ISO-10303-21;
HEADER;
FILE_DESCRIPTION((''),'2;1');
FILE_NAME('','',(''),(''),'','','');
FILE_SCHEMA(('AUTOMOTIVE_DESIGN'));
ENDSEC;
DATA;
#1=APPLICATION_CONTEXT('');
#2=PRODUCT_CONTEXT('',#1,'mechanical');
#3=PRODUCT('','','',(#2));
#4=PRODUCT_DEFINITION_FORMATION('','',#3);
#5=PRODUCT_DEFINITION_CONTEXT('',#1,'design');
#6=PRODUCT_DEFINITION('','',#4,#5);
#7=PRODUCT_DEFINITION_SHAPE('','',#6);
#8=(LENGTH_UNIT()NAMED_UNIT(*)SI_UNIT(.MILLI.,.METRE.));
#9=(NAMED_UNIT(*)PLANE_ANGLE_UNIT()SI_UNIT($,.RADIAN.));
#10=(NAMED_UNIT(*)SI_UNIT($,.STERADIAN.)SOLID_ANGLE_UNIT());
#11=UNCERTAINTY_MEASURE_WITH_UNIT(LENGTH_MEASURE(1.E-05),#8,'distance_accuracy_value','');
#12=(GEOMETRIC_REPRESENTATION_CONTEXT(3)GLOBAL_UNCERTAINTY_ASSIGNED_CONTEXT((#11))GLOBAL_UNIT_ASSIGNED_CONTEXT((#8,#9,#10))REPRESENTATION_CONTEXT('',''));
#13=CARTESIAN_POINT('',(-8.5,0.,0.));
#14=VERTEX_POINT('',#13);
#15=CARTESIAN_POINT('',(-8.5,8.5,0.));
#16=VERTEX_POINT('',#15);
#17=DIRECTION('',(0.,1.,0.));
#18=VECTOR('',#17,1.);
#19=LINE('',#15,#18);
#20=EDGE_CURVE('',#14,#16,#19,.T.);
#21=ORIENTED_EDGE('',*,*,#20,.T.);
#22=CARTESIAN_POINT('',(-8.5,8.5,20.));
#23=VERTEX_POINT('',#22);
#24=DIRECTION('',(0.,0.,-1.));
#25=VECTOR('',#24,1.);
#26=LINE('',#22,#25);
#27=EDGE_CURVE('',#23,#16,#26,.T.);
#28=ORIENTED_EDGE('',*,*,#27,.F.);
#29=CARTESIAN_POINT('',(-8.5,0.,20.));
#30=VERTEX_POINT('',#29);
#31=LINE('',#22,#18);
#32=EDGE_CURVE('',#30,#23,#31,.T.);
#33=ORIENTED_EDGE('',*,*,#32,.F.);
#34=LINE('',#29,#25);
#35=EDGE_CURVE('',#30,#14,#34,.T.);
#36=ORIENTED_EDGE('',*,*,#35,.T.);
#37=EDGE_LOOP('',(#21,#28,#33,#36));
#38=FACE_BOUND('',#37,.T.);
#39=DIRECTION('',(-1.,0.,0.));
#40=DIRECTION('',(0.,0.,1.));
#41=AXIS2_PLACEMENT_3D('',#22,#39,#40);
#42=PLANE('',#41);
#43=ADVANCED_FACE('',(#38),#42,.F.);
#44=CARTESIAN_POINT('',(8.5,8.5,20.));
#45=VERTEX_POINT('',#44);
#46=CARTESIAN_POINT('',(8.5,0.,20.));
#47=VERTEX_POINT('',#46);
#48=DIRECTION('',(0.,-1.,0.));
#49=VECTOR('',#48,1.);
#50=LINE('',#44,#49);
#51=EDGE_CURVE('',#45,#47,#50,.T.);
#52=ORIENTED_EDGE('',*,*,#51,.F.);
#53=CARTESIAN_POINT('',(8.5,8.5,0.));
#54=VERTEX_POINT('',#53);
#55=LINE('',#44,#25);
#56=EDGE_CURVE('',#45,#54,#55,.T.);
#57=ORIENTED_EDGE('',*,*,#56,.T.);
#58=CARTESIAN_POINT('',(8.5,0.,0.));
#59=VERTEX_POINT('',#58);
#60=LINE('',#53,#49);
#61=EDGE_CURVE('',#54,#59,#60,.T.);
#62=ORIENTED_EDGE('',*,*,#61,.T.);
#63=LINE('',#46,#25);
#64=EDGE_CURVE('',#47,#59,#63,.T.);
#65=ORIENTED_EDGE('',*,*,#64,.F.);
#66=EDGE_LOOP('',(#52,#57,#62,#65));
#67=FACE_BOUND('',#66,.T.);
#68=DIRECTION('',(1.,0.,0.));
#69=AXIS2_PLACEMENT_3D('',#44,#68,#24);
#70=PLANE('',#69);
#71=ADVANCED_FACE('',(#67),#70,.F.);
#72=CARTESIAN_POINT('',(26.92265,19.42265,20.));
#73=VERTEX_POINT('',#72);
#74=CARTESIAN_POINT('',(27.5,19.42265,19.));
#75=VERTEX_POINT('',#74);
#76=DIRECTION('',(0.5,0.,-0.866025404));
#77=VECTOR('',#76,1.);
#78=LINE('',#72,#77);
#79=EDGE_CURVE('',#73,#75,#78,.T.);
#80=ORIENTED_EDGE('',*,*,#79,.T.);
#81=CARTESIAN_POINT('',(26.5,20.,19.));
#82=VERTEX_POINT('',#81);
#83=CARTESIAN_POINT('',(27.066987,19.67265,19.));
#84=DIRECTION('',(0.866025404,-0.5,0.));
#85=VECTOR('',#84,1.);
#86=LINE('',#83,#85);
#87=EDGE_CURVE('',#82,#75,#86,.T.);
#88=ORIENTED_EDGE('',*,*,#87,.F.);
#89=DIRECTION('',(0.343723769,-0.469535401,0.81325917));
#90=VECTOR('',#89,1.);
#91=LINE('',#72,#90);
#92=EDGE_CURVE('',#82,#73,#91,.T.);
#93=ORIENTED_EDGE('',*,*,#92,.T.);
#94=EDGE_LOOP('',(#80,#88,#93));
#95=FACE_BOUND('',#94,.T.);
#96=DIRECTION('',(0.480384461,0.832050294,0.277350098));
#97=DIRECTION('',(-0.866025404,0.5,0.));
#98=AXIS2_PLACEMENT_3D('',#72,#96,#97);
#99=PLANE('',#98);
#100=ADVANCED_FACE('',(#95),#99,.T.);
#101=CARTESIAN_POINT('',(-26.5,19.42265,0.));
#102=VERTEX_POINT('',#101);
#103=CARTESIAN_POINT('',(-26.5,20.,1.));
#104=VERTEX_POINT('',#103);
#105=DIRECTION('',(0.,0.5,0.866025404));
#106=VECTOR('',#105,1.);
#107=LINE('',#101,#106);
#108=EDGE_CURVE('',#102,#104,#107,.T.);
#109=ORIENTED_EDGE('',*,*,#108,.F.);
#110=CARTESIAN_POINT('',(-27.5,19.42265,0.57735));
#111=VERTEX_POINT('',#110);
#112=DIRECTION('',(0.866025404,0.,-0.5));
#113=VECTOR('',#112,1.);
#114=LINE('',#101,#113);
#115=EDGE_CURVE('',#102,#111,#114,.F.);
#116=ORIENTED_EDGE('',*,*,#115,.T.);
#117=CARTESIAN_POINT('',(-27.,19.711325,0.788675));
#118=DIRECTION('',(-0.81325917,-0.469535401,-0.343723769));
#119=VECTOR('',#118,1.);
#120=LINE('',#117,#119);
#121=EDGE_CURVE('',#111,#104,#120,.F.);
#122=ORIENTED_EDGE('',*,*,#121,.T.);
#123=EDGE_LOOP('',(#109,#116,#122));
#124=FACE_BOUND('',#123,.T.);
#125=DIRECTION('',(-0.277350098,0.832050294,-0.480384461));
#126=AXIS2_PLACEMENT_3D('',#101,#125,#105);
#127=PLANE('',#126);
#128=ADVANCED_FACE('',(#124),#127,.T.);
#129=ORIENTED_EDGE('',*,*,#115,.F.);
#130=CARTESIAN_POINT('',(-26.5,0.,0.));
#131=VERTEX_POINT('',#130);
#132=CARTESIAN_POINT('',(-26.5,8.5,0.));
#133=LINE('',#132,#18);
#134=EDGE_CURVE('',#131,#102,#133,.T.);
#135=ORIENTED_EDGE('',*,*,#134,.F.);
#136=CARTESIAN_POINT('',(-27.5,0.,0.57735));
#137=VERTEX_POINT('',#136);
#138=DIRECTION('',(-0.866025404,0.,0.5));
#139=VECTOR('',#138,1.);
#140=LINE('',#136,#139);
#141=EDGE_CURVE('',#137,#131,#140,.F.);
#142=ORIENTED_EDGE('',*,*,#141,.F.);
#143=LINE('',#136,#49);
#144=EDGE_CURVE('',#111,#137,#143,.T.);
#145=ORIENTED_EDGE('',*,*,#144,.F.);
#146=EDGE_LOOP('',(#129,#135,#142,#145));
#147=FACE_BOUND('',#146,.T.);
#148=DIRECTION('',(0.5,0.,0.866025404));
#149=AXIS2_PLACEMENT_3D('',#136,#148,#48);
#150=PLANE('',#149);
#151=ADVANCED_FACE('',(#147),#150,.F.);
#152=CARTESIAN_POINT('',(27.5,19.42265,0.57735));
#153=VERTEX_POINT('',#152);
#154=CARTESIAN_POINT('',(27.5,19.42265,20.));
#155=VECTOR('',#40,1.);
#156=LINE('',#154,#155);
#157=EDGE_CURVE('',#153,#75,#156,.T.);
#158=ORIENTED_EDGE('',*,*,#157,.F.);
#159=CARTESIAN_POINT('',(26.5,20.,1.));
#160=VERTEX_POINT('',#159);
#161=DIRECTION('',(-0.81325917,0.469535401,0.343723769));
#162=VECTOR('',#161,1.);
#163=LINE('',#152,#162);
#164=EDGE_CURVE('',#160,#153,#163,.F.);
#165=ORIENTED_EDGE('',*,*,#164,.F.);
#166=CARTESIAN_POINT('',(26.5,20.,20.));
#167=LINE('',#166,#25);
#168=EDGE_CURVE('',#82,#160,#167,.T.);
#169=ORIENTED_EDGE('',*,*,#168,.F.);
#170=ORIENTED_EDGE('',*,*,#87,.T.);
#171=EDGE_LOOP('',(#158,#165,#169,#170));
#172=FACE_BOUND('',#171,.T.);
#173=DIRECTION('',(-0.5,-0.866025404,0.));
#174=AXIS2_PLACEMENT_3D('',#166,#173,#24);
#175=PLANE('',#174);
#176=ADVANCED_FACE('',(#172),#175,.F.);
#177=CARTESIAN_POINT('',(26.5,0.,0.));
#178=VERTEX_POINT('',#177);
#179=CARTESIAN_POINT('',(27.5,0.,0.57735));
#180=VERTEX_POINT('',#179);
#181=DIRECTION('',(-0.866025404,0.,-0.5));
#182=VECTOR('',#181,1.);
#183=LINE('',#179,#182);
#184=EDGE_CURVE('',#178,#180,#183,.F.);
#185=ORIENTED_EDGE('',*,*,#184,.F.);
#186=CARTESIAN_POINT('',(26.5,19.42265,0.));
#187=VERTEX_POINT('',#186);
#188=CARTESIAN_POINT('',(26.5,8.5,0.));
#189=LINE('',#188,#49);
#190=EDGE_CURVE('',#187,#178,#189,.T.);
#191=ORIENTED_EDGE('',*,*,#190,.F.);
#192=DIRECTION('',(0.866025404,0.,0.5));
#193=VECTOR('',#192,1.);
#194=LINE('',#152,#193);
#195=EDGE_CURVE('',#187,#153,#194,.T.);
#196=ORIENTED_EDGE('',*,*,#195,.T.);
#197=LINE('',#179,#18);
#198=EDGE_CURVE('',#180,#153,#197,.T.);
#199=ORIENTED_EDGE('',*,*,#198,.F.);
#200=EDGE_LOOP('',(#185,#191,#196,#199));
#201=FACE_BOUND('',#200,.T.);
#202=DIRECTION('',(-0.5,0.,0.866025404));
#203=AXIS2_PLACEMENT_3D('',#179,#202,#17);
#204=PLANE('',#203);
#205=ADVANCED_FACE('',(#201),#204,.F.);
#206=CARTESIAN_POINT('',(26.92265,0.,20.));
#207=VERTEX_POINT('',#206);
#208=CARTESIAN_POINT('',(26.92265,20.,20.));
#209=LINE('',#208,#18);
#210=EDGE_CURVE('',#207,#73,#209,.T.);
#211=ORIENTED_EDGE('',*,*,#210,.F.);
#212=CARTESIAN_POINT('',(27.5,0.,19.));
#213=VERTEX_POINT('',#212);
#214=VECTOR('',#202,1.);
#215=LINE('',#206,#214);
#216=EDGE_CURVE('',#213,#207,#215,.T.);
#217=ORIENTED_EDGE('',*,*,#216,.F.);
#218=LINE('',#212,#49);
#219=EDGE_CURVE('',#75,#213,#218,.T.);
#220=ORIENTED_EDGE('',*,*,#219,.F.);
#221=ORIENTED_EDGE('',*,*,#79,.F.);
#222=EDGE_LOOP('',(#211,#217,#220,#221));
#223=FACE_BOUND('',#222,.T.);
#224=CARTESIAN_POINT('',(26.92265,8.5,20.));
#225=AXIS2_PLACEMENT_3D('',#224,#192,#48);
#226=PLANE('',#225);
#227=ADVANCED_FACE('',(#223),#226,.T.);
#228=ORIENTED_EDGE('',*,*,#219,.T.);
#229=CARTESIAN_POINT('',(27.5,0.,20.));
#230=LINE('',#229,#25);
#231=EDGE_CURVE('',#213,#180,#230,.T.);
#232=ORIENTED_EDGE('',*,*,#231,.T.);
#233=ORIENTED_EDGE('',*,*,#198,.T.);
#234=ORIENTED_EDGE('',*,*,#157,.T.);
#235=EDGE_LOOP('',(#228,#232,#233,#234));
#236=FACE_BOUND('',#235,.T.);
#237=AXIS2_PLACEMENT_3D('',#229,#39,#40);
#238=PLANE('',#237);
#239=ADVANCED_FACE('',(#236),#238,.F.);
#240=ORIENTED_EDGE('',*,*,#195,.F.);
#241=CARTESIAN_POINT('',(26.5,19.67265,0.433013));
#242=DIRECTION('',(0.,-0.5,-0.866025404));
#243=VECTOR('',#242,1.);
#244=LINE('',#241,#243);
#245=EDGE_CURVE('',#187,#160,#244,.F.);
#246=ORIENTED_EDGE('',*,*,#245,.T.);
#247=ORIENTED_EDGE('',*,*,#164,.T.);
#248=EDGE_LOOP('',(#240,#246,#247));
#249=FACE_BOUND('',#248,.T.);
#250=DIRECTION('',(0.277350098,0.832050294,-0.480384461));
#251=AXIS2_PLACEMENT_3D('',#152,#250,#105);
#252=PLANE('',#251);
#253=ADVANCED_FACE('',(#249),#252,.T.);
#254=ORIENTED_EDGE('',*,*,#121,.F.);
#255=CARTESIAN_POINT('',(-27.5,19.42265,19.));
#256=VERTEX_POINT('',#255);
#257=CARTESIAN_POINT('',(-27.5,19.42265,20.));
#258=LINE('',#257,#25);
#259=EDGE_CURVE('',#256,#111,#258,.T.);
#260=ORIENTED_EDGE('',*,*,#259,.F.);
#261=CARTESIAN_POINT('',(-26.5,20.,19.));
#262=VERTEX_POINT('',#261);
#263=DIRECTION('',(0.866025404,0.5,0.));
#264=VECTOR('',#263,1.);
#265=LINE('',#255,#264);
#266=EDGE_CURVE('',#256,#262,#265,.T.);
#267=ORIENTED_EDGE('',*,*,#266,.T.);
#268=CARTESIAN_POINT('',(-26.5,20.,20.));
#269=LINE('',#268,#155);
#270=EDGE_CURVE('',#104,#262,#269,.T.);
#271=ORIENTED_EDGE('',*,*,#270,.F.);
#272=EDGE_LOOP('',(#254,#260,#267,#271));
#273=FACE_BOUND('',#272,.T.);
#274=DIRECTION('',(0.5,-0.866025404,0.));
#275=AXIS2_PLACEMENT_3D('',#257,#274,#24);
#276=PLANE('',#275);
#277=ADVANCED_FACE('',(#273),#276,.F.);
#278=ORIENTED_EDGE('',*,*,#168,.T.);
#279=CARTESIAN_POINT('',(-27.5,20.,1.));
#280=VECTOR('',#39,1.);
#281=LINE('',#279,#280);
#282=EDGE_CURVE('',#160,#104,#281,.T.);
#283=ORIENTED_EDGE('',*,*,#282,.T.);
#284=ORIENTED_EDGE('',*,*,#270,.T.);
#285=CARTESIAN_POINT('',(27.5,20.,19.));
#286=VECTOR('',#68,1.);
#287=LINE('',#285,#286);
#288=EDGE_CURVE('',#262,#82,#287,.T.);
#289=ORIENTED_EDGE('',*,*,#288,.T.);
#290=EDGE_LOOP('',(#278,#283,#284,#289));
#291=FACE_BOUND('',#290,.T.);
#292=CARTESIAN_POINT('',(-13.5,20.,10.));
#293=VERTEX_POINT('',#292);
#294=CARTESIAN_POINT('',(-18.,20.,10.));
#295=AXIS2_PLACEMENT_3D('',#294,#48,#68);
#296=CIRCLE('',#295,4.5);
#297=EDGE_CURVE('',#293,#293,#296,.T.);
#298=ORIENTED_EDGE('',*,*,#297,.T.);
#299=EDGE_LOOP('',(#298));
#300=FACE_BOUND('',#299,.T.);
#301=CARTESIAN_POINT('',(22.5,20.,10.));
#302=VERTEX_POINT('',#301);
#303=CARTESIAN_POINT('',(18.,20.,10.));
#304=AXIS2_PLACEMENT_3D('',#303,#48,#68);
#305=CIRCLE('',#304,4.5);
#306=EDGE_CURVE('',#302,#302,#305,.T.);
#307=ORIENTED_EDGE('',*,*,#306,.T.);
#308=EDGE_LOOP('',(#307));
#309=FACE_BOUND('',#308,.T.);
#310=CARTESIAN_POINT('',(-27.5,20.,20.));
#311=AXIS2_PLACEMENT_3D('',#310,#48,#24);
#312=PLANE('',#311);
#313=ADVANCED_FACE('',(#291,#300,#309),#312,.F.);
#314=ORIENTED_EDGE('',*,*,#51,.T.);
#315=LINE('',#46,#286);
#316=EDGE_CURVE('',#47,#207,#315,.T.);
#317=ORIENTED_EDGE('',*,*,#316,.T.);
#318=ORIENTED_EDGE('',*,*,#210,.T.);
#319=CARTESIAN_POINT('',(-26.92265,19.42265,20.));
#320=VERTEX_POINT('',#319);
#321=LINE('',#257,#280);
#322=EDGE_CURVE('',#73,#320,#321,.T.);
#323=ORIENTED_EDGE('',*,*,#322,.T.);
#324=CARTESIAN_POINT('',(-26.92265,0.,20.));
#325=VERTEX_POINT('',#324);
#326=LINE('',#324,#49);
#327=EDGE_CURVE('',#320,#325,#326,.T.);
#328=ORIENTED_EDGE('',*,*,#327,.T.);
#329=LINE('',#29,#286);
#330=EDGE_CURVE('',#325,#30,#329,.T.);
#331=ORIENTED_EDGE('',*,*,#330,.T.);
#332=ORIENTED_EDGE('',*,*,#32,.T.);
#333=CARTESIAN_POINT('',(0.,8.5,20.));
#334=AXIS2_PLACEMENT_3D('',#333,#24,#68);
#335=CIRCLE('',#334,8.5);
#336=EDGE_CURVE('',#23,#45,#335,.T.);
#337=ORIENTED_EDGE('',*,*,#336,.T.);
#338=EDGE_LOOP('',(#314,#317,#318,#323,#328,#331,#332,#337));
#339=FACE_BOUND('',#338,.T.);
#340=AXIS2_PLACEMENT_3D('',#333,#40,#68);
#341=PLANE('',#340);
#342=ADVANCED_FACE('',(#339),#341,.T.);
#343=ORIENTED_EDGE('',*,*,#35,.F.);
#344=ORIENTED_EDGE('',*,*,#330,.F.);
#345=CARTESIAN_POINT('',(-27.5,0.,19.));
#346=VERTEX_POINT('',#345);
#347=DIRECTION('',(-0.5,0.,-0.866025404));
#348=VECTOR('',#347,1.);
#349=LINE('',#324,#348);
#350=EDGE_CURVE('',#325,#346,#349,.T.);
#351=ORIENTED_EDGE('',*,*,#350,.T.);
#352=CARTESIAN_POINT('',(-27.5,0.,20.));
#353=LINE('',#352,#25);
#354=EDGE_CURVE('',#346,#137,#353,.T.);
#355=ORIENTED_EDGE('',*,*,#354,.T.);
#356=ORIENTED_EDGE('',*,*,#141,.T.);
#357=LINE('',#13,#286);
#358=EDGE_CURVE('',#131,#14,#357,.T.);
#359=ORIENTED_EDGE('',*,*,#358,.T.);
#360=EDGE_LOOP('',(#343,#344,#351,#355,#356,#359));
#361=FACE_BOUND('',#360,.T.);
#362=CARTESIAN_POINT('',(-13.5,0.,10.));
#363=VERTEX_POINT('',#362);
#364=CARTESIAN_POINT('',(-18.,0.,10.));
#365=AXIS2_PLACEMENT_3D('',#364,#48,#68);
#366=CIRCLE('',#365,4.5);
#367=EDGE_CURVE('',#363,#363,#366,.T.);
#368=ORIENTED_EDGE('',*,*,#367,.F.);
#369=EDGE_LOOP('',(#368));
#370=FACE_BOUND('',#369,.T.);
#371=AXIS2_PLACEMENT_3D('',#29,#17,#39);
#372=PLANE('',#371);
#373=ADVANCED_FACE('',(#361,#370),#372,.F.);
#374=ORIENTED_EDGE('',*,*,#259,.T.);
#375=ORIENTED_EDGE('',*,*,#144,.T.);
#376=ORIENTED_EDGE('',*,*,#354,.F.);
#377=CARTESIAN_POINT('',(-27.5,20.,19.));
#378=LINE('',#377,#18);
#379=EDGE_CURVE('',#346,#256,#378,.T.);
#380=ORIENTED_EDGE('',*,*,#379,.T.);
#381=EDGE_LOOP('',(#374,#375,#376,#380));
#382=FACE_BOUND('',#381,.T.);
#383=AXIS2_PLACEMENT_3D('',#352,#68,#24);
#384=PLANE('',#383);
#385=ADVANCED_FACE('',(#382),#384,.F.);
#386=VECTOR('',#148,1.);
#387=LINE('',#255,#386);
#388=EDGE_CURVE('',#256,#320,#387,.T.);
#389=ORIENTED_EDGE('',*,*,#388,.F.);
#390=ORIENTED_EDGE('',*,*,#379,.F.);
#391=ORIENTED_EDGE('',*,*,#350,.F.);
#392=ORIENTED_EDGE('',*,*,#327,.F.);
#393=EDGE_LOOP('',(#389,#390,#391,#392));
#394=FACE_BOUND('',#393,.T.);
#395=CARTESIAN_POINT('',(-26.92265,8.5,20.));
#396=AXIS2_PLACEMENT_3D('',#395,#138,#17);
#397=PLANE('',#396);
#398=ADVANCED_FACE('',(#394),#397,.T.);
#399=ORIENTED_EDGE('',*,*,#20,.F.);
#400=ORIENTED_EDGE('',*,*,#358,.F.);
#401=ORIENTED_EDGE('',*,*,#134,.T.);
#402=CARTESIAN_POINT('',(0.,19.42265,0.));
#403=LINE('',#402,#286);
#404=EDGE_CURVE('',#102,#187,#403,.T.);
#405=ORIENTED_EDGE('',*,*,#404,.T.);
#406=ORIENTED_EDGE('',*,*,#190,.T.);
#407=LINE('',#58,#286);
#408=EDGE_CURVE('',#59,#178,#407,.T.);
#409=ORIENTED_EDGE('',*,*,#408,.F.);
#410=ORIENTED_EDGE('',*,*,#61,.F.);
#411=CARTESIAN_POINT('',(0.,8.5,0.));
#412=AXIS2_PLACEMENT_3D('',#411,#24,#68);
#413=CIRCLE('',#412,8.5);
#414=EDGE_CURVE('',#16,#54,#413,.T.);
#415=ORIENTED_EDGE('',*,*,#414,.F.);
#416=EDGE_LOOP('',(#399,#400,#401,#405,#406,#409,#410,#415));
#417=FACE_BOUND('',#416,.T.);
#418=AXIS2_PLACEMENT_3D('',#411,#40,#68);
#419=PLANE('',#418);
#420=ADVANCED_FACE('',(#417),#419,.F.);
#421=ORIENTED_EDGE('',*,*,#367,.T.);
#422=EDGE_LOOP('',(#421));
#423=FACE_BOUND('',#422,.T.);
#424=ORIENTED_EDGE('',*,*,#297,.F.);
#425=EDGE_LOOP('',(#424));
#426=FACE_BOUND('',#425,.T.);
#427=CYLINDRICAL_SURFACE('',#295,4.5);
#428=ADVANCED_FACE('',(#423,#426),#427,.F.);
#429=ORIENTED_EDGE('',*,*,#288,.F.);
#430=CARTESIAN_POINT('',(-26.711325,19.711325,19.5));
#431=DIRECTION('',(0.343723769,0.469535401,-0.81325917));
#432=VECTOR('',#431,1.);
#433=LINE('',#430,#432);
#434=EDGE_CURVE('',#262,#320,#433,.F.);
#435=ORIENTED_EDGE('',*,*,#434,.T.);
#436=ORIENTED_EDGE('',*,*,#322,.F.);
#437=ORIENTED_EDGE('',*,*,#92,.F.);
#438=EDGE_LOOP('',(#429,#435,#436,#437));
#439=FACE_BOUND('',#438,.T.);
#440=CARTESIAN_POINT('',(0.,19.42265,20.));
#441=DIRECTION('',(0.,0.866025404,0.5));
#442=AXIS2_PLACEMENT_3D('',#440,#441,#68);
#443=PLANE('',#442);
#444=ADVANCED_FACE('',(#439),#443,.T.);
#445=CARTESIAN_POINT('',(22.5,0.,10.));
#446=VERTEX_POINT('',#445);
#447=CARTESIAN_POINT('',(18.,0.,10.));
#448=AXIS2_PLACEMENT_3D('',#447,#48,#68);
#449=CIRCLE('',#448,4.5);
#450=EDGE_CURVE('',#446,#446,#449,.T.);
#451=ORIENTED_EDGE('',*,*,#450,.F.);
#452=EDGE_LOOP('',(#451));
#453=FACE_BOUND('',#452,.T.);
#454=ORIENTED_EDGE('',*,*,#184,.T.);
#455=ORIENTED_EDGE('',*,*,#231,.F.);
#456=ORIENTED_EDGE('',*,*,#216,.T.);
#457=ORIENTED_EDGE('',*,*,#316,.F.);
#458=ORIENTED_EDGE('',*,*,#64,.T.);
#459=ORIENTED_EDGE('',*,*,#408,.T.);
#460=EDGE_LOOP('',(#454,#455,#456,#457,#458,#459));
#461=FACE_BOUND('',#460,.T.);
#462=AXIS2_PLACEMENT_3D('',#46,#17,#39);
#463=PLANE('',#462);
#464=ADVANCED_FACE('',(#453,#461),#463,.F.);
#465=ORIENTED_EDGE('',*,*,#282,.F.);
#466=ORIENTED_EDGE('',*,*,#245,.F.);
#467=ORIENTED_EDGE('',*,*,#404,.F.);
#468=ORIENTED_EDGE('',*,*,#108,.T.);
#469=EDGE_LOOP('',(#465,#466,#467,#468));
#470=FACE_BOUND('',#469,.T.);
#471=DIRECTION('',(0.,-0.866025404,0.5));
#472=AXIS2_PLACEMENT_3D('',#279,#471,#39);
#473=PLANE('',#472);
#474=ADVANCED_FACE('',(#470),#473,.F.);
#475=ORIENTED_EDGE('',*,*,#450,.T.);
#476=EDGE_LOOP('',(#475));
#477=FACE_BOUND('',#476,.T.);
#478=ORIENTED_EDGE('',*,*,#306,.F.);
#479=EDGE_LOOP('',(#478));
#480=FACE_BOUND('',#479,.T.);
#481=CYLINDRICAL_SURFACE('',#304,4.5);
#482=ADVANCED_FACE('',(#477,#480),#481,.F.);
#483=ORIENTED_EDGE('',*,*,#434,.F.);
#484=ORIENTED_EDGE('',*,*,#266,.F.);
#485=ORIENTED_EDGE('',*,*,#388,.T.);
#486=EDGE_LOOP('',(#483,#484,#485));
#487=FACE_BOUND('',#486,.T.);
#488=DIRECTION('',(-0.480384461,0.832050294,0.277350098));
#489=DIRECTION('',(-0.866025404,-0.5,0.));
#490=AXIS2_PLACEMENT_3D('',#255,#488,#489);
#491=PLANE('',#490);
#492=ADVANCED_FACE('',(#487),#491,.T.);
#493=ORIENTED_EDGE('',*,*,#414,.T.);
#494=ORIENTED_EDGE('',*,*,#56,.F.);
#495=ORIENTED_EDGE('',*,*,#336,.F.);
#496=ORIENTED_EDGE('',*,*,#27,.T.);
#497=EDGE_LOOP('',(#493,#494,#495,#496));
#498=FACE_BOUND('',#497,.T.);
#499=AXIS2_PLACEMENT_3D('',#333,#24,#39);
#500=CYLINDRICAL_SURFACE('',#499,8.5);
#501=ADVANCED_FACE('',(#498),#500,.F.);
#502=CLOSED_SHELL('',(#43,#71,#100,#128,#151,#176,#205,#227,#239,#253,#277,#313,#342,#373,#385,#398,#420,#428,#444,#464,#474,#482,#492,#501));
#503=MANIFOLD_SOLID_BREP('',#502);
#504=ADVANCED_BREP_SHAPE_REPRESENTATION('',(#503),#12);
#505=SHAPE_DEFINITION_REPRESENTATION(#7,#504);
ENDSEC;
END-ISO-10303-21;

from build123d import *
from OCP.BRepFilletAPI import BRepFilletAPI_MakeChamfer

# Parameters (mm, degrees)
ESTRUSIONE_ESTRUSIONE1_DEPTH = 20
SCHIZZO2_R                   = 4.5
TAGLIO_ESTRUSIONE1_DEPTH     = 40.449334595
SMUSSO1_SIZE                 = 1
SMUSSO1_SIZE2                = 0.577350269


with BuildPart() as part:
    # Schizzo1 → Estrusione-Estrusione1 (new body)
    with BuildSketch(Plane.XY):
        with BuildLine():
            Line((-8.5, 8.5), (-8.5, 0))
            Line((-8.5, 0), (-27.5, 0))
            Line((-27.5, 0), (-27.5, 20))
            Line((-27.5, 20), (27.5, 20))
            Line((27.5, 20), (27.5, 0))
            Line((27.5, 0), (8.5, 0))
            Line((8.5, 0), (8.5, 8.5))
            ThreePointArc((8.5, 8.5), (0, 17), (-8.5, 8.5))
        make_face()
    extrude(amount=ESTRUSIONE_ESTRUSIONE1_DEPTH)

    # Schizzo2 → Taglio-Estrusione1 (cut, through all)
    with BuildSketch(Plane.XZ):
        with Locations((-18, 10)):
            Circle(SCHIZZO2_R)
        with Locations((18, 10)):
            Circle(SCHIZZO2_R)
    extrude(amount=-TAGLIO_ESTRUSIONE1_DEPTH, mode=Mode.SUBTRACT)

    # Smusso1: one chamfer whose edges measure the first distance from different faces: ONE call of the kernel's chamfer builder (chamfer() names one face for all edges)
    smusso1_edges_1 = [part.edges().sort_by_distance(p)[0] for p in [
        (-27.5, 10, 20),
    ]]
    smusso1_side_1 = [part.faces().sort_by_distance(p)[0] for p in [
        (-27.5, 10, 10),
    ]]
    smusso1_edges_2 = [part.edges().sort_by_distance(p)[0] for p in [
        (0, 20, 0),
        (-27.5, 20, 10),
        (27.5, 20, 10),
        (0, 20, 20),
    ]]
    smusso1_side_2 = [part.faces().sort_by_distance(p)[0] for p in [
        (0, 20, 10),
    ]]
    smusso1_edges_3 = [part.edges().sort_by_distance(p)[0] for p in [
        (27.5, 10, 0),
        (-27.5, 10, 0),
    ]]
    smusso1_side_3 = [part.faces().sort_by_distance(p)[0] for p in [
        (-9.085234996, 4.25, 0),
    ]]
    smusso1_edges_4 = [part.edges().sort_by_distance(p)[0] for p in [
        (27.5, 10, 20),
    ]]
    smusso1_side_4 = [part.faces().sort_by_distance(p)[0] for p in [
        (27.5, 10, 10),
    ]]
    smusso1 = BRepFilletAPI_MakeChamfer(part.part.solid().wrapped)
    for e in smusso1_edges_1:
        smusso1.Add(SMUSSO1_SIZE, SMUSSO1_SIZE2, e.wrapped, smusso1_side_1[0].wrapped)  # the first distance lies on this face
    for e in smusso1_edges_2:
        smusso1.Add(SMUSSO1_SIZE, SMUSSO1_SIZE2, e.wrapped, smusso1_side_2[0].wrapped)  # the first distance lies on this face
    for e in smusso1_edges_3:
        smusso1.Add(SMUSSO1_SIZE, SMUSSO1_SIZE2, e.wrapped, smusso1_side_3[0].wrapped)  # the first distance lies on this face
    for e in smusso1_edges_4:
        smusso1.Add(SMUSSO1_SIZE, SMUSSO1_SIZE2, e.wrapped, smusso1_side_4[0].wrapped)  # the first distance lies on this face
    add(Compound.cast(smusso1.Shape()), mode=Mode.REPLACE)


solid = part.part
